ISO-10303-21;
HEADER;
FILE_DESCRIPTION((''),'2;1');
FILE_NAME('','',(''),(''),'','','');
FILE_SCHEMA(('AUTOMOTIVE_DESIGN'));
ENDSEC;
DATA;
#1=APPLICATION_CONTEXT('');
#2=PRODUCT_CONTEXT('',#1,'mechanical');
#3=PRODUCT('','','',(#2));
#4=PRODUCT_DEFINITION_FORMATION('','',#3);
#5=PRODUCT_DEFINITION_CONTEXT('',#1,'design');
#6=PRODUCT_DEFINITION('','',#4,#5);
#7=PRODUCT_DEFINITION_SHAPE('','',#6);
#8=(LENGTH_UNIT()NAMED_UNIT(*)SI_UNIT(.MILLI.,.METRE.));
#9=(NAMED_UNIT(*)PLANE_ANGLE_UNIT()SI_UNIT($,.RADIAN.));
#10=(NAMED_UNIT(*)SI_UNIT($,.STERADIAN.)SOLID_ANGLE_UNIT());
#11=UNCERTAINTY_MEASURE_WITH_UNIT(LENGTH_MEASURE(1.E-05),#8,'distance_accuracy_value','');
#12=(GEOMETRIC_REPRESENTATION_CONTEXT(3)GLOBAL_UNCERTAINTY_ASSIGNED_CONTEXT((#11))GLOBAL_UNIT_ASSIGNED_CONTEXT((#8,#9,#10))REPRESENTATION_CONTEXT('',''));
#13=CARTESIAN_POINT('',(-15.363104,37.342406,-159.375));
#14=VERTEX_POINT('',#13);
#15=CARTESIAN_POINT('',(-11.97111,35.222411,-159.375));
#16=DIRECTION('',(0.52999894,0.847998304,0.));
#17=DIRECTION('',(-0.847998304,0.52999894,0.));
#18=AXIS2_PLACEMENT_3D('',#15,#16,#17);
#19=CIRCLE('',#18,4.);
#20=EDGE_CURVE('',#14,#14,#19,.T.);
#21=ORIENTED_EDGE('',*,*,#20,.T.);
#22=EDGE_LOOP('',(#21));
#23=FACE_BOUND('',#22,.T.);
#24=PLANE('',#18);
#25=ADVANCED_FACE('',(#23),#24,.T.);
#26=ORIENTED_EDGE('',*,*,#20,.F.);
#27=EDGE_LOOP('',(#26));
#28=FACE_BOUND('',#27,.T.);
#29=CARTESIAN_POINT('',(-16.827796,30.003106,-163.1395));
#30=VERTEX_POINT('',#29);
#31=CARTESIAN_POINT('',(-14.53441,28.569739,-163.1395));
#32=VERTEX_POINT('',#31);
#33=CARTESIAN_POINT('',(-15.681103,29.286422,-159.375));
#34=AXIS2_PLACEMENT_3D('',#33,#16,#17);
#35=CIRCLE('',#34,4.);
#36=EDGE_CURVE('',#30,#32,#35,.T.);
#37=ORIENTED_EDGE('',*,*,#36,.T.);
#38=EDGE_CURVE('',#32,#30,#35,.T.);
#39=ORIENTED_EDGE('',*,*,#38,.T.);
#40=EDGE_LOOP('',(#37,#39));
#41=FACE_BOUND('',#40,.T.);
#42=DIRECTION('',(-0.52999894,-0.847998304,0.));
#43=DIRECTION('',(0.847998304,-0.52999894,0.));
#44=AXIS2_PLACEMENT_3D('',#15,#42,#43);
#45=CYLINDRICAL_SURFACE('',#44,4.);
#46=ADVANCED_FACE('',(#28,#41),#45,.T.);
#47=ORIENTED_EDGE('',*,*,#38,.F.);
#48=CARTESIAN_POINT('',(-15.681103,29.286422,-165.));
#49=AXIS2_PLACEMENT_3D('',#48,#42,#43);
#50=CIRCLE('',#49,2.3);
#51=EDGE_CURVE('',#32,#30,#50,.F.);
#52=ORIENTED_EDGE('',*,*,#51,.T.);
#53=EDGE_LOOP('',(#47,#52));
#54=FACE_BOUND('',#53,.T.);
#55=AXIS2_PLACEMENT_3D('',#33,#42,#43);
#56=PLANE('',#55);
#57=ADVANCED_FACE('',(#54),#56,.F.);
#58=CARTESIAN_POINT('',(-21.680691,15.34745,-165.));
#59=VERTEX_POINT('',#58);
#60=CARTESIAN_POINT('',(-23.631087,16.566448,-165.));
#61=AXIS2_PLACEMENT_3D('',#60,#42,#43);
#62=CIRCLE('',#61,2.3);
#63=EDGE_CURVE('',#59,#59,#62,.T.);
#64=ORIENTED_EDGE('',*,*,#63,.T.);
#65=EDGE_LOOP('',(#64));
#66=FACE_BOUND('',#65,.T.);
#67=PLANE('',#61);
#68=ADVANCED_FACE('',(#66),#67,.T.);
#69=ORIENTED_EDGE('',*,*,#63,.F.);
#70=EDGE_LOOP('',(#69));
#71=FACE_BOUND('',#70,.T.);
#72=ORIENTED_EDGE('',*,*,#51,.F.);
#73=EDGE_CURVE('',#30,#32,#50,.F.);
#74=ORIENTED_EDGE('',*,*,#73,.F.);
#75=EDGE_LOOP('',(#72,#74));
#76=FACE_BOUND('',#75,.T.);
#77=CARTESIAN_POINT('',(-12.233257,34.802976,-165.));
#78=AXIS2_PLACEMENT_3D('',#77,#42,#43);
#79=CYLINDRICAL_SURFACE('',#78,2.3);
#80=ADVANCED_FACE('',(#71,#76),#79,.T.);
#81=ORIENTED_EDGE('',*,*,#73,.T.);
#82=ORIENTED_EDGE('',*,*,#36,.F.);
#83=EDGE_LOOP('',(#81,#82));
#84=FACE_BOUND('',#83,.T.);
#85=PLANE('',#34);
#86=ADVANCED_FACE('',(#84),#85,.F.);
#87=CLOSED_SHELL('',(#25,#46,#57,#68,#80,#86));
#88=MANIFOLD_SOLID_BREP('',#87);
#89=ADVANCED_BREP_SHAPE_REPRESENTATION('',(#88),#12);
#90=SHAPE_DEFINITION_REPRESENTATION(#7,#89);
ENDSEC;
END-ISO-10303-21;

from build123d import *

# Parameters (mm, degrees)
ESQUISSE1_R        = 2.3
BOSS_EXTRU_1_DEPTH = 15
ESQUISSE2_R        = 4
BOSS_EXTRU_2_DEPTH = 7


with BuildPart() as part:
    # Esquisse1 → Boss.-Extru.1 (new body)
    with BuildSketch(Plane(origin=(0.807648755, 1.292238009, 0), x_dir=(0.8479983040028684, -0.5299989400067315, 0), z_dir=(-0.5299989400067315, -0.8479983040028684, 0))):
        with Locations((-28.819321466, -165)):
            Circle(ESQUISSE1_R)
    extrude(amount=-BOSS_EXTRU_1_DEPTH)

    # Esquisse2 → Boss.-Extru.2 (add)
    with BuildSketch(Plane(origin=(8.757632855, 14.012212569, 0), x_dir=(0.8479983040028682, -0.5299989400067318, 0), z_dir=(0.5299989400067318, 0.8479983040028682, 0))):
        with Locations(Location((-28.819321466, 159.375, 0), (0, 0, 70.241351879))):
            Circle(ESQUISSE2_R)
    extrude(amount=BOSS_EXTRU_2_DEPTH)


solid = part.part
